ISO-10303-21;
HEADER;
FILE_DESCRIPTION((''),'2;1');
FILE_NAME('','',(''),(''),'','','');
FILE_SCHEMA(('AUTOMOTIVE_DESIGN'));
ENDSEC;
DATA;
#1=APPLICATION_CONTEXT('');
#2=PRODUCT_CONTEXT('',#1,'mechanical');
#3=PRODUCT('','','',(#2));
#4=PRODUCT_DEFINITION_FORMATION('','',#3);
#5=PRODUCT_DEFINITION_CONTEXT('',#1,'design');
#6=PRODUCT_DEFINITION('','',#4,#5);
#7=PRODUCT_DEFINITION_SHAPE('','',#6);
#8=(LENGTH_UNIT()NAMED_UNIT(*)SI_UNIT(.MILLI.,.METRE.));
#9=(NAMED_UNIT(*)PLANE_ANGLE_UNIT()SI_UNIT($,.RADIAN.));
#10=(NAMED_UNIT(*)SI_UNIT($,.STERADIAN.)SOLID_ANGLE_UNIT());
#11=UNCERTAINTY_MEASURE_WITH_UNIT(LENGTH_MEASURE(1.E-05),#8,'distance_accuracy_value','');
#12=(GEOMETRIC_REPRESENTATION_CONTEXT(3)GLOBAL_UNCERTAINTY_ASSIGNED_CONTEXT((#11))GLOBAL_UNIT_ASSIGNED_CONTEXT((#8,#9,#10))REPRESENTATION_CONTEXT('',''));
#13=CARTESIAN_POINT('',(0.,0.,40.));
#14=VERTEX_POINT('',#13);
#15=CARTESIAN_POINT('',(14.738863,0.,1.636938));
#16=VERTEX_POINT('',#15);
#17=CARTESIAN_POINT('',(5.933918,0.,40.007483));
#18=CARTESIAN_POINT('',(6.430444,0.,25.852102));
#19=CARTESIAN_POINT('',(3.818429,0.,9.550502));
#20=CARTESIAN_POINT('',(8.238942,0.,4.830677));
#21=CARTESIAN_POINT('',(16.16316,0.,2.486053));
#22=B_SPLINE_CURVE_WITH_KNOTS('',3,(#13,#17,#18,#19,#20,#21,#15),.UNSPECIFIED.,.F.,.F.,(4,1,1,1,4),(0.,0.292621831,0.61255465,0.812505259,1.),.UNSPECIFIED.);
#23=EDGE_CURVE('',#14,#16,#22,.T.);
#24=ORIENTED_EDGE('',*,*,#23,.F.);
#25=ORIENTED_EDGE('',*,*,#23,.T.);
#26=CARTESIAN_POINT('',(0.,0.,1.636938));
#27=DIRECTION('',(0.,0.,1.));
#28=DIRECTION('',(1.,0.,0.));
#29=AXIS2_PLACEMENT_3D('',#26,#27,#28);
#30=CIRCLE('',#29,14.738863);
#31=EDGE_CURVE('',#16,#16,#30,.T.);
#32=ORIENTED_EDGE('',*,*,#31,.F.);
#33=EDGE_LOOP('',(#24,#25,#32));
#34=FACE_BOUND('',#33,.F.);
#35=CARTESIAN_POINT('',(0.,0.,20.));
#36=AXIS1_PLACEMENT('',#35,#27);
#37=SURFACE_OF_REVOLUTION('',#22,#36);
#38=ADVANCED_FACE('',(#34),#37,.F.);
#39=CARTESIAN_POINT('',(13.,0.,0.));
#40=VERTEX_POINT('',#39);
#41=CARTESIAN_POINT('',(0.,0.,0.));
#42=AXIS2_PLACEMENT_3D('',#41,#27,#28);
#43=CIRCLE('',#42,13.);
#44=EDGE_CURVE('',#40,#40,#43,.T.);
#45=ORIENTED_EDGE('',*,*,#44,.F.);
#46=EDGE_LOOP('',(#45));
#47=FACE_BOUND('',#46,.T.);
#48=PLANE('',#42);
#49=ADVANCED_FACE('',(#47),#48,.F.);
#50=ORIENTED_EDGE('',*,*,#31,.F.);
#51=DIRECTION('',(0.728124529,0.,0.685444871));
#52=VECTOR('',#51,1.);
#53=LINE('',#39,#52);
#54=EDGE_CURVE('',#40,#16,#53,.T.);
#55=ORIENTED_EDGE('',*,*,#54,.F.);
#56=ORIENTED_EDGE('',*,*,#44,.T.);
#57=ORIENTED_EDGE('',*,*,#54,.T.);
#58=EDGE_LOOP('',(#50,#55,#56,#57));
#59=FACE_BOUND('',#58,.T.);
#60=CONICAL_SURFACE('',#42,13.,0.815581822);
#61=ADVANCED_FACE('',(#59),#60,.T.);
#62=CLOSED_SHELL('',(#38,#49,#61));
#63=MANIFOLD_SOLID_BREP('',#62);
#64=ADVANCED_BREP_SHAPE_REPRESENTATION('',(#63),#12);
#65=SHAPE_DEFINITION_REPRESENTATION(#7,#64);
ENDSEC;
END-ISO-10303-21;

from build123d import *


with BuildPart() as f1:
    # F0 (on Front) → F1 (revolve)
    with BuildSketch(Plane.XZ):
        with BuildLine():
            Line((0, 0), (13, 0))
            Line((13, 0), (14.7388633057, 1.6369383084))
            add(Edge.make_bspline(
                [(0, 40), (5.9339183966, 40.0074827367), (6.4304438105, 25.85210174), (3.8184292326, 9.5505024715), (8.2389417128, 4.8306772537), (16.1631596642, 2.4860527315), (14.7388633057, 1.6369383084)],
                knots=[0, 0, 0, 0, 0.2926218314, 0.6125546503, 0.8125052589, 1, 1, 1, 1], degree=3))
            Line((0, 40), (0, 0))
        make_face()
    revolve(axis=Axis((0, 0, 20), (0, 0, 1)))


solid = f1.part
